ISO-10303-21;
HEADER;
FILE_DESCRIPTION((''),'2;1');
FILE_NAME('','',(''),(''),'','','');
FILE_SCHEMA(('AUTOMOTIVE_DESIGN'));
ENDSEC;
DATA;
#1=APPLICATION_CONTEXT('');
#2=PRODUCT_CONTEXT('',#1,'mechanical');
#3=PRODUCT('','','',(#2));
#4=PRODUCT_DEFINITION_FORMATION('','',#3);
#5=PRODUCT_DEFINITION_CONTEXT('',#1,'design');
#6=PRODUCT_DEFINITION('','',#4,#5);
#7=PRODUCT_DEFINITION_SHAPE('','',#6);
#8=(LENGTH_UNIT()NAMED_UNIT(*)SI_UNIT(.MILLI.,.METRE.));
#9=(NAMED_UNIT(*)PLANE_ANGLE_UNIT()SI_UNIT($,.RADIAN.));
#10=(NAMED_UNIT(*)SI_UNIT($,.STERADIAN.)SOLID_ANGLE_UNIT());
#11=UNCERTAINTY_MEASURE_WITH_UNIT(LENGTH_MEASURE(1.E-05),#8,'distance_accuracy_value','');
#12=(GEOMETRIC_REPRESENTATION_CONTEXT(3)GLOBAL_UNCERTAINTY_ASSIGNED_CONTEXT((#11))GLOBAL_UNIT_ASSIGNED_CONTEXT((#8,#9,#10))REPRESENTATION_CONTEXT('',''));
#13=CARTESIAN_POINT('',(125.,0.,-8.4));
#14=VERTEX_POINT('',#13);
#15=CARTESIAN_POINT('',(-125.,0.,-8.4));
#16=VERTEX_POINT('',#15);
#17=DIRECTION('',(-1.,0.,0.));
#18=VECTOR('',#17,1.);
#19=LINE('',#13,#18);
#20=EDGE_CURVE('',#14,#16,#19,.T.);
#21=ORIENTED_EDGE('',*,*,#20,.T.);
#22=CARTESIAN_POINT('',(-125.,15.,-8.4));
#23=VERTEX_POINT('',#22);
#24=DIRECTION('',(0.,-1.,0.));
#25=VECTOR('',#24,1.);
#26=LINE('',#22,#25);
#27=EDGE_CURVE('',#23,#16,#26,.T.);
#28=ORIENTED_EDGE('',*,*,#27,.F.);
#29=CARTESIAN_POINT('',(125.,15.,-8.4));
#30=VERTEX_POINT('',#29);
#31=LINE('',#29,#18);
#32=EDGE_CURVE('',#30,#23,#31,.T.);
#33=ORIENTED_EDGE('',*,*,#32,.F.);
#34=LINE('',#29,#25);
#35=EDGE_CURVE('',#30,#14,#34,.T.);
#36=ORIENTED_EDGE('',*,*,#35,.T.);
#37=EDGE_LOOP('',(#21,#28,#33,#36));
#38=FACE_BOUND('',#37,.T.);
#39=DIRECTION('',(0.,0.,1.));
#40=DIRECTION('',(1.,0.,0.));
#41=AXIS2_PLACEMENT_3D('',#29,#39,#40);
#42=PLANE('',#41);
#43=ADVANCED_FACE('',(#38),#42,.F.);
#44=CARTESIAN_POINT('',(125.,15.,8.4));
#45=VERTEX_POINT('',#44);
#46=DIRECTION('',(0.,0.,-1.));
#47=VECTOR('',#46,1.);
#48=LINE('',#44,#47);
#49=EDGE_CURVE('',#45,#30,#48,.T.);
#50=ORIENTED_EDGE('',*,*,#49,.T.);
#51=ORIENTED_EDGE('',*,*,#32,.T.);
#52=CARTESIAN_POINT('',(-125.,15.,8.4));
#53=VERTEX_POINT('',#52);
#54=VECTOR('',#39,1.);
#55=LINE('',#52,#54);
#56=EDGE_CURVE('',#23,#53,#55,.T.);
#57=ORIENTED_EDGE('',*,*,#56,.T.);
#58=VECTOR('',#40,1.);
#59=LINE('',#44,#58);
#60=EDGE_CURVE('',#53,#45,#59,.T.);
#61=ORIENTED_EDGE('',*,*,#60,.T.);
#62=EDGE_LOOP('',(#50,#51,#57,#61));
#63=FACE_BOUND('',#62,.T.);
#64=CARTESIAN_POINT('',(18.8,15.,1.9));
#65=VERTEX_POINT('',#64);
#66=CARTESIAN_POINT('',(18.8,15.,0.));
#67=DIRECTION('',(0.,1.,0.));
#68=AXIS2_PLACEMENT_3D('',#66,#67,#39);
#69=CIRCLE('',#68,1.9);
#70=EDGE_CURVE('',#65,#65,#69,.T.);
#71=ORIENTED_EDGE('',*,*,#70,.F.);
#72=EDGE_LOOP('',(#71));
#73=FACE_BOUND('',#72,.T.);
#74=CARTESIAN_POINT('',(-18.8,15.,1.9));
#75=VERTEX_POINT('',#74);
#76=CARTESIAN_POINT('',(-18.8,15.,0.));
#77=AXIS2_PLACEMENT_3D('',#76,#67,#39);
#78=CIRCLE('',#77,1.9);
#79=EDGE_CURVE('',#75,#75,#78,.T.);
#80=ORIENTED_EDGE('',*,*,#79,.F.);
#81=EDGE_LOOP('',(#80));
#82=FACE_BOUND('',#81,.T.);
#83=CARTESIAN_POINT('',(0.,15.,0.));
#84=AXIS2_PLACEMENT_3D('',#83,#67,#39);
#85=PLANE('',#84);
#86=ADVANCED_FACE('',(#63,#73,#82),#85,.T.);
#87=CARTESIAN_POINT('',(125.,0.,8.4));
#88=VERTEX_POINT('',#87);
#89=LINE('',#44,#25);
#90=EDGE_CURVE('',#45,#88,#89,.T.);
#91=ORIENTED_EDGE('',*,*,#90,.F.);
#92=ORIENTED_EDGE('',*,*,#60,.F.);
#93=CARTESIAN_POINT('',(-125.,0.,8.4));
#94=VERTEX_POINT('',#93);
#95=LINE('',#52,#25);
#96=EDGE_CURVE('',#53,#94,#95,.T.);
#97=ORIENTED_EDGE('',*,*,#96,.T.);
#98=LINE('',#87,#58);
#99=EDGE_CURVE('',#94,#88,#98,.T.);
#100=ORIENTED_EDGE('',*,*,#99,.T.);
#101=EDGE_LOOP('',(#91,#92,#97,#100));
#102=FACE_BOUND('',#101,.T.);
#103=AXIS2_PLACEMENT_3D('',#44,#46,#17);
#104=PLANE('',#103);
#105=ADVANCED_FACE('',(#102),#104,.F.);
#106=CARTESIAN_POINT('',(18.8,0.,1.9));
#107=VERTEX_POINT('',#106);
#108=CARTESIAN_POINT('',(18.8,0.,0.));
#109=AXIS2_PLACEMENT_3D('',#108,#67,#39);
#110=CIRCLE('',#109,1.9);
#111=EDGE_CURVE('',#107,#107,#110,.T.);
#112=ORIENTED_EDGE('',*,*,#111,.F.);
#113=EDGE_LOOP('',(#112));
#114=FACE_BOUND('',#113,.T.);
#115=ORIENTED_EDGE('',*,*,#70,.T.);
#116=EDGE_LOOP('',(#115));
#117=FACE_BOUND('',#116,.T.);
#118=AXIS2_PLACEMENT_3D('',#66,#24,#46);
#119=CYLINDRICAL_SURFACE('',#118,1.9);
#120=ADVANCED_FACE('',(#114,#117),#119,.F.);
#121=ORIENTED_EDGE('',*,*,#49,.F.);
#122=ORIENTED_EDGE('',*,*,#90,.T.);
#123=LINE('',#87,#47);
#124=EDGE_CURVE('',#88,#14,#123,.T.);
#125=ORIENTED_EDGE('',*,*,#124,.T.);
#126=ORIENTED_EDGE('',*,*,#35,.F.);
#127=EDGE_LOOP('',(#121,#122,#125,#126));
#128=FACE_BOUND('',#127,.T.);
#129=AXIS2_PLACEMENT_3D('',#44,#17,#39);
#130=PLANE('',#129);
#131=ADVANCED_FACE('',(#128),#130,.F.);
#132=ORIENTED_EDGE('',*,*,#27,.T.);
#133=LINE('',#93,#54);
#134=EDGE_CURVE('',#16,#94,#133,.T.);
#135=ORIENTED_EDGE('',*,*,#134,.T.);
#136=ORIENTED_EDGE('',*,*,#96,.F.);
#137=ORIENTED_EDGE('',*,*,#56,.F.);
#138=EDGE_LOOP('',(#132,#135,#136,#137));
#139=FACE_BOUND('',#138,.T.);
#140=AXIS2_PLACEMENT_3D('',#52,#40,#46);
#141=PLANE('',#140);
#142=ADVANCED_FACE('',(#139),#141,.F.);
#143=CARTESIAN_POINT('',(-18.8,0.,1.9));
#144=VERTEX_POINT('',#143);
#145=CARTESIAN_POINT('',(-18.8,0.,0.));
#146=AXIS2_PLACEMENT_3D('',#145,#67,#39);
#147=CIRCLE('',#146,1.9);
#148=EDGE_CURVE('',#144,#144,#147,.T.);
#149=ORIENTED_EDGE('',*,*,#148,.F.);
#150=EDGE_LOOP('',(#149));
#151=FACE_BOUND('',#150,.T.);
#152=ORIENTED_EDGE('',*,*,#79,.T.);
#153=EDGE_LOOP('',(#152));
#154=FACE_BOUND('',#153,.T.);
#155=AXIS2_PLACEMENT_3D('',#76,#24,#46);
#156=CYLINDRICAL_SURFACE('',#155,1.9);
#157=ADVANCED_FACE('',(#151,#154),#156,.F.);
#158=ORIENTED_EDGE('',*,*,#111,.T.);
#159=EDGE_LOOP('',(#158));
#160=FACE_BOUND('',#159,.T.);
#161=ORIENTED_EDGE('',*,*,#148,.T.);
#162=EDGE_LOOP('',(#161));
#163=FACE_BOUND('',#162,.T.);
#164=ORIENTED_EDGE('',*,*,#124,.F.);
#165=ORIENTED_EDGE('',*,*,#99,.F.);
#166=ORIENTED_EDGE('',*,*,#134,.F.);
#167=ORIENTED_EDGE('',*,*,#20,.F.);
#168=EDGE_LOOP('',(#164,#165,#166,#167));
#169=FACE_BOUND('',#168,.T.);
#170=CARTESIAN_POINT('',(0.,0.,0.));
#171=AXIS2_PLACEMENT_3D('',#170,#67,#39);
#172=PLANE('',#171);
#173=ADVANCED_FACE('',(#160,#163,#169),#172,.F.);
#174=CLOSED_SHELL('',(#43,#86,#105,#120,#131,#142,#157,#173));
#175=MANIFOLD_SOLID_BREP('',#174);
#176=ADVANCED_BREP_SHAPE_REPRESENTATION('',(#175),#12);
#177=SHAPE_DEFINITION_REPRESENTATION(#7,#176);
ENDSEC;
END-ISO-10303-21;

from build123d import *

# Parameters (mm, degrees)
CROQUIS1_W              = 250
CROQUIS1_H              = 16.8
CROQUIS1_R              = 1.9
SALIENTE_EXTRUIR1_DEPTH = 15


with BuildPart() as part:
    # Croquis1 → Saliente-Extruir1 (new body)
    with BuildSketch(Plane(origin=(0, 0, 0), x_dir=(1, 0, 0), z_dir=(0, 1, 0))):
        Rectangle(CROQUIS1_W, CROQUIS1_H)
        with Locations(Location((-18.8, 0, 0), (0, 0, 270))):
            Circle(CROQUIS1_R, mode=Mode.SUBTRACT)
        with Locations(Location((18.8, 0, 0), (0, 0, 270))):
            Circle(CROQUIS1_R, mode=Mode.SUBTRACT)
    extrude(amount=SALIENTE_EXTRUIR1_DEPTH)


solid = part.part
